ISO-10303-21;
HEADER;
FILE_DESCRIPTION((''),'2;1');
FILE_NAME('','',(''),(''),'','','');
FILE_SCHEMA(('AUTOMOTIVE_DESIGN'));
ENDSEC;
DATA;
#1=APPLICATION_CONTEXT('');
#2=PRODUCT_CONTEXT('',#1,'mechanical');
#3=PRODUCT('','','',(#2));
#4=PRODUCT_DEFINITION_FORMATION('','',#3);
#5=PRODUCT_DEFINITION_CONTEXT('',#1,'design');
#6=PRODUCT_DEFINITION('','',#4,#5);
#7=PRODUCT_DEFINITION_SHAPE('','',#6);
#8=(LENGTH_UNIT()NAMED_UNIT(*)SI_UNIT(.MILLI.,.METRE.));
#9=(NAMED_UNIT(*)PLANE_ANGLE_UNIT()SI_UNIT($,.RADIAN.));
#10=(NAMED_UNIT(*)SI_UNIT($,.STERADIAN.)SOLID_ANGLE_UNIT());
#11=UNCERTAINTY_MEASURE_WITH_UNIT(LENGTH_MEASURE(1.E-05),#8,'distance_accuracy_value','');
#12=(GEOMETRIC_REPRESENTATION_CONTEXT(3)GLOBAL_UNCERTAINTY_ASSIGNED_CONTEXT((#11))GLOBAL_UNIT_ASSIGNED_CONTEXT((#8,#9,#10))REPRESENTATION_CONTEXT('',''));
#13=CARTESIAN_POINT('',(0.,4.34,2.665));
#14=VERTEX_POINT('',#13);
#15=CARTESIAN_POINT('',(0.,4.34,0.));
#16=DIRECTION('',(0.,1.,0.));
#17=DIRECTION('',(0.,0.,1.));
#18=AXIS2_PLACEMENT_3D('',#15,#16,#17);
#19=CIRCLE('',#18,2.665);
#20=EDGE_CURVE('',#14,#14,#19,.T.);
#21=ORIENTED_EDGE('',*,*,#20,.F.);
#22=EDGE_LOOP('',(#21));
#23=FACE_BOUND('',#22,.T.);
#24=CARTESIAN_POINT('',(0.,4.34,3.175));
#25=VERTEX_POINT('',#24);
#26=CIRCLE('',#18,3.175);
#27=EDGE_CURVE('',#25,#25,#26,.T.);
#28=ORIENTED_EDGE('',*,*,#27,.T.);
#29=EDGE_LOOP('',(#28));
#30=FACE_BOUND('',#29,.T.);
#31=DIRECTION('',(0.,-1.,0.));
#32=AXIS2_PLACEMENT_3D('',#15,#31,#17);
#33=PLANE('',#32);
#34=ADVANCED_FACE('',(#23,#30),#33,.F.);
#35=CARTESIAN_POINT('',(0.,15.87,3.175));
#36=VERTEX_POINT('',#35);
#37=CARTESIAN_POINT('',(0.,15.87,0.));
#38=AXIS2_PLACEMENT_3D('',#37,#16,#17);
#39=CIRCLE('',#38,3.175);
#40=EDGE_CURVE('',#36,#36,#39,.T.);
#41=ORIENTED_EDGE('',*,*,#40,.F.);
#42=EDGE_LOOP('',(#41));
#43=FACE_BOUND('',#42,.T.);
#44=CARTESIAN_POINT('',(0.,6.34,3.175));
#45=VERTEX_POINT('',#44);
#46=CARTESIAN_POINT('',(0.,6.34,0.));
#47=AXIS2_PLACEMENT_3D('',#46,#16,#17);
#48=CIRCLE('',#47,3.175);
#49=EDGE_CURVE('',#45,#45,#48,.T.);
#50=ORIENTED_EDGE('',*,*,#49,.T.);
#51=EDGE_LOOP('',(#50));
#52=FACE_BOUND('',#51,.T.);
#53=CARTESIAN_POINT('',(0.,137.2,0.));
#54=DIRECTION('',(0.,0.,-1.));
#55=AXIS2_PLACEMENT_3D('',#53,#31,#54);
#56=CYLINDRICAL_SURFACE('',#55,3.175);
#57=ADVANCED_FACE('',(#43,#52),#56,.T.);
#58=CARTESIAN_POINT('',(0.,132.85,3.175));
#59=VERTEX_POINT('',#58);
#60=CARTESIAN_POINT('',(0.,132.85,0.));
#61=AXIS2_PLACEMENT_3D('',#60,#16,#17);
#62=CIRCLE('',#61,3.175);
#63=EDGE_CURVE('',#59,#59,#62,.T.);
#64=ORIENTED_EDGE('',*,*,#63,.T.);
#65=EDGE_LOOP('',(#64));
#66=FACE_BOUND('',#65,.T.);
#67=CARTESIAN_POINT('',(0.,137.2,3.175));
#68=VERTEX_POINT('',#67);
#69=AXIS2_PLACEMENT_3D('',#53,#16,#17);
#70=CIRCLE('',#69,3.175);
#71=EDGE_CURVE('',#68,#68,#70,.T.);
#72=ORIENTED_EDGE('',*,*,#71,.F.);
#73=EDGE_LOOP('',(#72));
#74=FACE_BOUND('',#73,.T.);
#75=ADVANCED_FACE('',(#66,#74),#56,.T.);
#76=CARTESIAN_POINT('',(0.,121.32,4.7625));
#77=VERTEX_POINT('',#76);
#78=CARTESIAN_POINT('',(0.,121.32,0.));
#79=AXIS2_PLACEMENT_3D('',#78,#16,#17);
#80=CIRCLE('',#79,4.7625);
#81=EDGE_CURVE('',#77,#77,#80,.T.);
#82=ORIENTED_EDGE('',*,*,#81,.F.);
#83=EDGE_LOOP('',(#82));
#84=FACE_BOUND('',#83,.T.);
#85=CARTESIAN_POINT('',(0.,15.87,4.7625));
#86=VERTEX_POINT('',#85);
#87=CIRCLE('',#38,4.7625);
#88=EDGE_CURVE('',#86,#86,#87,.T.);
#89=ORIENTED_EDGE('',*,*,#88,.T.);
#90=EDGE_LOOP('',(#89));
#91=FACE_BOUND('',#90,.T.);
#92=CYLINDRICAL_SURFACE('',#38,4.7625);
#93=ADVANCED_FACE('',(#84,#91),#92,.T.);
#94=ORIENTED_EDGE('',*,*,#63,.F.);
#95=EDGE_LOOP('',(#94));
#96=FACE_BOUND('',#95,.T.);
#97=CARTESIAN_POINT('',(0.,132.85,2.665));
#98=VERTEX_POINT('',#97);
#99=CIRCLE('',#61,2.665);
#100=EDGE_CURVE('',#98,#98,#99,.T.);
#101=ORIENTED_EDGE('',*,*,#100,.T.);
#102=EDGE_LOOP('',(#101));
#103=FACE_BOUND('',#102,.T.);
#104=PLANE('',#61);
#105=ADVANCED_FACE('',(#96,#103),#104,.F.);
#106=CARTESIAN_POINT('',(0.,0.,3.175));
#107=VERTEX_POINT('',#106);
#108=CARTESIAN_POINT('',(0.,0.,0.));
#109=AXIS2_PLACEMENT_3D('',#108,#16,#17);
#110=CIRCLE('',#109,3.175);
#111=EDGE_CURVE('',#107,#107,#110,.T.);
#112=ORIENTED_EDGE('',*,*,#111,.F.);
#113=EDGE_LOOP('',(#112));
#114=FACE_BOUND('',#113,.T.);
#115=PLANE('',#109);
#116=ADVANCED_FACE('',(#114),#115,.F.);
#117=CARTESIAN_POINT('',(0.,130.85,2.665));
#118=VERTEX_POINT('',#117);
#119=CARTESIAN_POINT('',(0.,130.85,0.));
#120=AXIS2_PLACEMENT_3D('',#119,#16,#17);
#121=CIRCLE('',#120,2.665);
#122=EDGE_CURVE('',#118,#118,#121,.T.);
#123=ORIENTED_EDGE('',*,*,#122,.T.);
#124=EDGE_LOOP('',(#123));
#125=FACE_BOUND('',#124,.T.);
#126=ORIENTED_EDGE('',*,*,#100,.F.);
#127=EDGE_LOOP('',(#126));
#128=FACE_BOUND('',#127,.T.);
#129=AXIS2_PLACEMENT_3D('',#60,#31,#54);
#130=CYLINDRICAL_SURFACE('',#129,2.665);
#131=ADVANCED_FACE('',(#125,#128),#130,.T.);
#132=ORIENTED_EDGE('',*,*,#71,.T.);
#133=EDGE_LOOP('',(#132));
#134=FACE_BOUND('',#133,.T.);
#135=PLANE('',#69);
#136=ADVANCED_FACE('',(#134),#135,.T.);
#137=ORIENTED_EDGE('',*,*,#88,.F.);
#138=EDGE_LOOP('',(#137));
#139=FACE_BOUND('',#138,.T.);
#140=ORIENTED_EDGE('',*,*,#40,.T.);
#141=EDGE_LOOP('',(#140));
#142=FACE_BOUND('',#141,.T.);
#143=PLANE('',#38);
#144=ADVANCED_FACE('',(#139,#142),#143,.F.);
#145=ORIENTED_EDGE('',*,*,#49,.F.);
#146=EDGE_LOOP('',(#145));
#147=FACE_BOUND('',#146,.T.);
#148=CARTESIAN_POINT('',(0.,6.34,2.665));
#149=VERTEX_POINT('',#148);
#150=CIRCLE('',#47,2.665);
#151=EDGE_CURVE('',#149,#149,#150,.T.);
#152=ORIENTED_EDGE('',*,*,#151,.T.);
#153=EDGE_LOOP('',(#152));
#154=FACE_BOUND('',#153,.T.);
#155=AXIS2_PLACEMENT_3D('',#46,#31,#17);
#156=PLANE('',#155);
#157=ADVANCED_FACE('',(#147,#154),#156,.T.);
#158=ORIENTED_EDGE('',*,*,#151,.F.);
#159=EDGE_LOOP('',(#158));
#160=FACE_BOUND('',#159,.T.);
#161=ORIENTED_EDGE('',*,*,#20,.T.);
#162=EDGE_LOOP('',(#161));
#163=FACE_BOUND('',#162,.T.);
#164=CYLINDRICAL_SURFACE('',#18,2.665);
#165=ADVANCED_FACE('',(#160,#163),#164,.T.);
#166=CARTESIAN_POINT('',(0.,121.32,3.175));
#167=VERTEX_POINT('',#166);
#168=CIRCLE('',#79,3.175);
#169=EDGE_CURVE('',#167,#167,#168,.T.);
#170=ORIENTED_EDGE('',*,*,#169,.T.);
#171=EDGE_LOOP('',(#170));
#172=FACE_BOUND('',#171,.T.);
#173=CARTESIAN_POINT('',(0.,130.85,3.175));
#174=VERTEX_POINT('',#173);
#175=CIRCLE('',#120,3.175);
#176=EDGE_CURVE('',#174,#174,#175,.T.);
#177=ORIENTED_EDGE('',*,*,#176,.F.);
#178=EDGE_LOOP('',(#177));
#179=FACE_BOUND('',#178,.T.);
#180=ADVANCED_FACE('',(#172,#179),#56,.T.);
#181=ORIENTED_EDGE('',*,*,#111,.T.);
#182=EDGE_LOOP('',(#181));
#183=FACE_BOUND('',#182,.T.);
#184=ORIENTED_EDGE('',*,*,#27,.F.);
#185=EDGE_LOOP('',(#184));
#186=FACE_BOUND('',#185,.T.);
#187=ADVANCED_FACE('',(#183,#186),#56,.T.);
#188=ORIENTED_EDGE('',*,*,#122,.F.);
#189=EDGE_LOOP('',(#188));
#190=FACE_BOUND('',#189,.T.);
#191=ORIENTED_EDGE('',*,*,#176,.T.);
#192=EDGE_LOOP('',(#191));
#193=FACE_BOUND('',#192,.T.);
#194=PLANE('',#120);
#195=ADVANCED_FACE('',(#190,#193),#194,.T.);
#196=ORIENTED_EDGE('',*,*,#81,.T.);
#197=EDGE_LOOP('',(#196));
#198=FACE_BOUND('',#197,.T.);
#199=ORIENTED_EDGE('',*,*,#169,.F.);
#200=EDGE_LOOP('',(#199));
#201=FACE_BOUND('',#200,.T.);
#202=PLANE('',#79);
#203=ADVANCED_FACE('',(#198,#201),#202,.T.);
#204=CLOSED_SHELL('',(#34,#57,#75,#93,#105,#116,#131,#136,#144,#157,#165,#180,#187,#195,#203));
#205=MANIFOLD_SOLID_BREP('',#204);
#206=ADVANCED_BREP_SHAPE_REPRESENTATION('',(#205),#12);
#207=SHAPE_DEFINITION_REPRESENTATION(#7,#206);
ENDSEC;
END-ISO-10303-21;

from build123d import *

# Parameters (mm, degrees)
SKETCH1_R           = 3.175
BOSS_EXTRUDE1_DEPTH = 137.2
BOSS_EXTRUDE2_START = -15.88
SKETCH2_R           = 4.7625
BOSS_EXTRUDE2_DEPTH = 105.45
CUT_EXTRUDE1_START  = 9.53
SKETCH4_R           = 3.175
SKETCH4_R_2         = 2.665
CUT_EXTRUDE1_DEPTH  = 2


with BuildPart() as part:
    # Sketch1 → Boss-Extrude1 (new body)
    with BuildSketch(Plane(origin=(0, 0, 0), x_dir=(1, 0, 0), z_dir=(0, 1, 0))):
        with Locations(Location((0, 0, 0), (0, 0, 270))):
            Circle(SKETCH1_R)
    extrude(amount=BOSS_EXTRUDE1_DEPTH)

    # Sketch2 → Boss-Extrude2 (add)
    with BuildSketch(Plane(origin=(0, 137.2, 0), x_dir=(1, 0, 0), z_dir=(0, 1, 0)).offset(BOSS_EXTRUDE2_START)):
        with Locations(Location((0, 0, 0), (0, 0, 270))):
            Circle(SKETCH2_R)
    extrude(amount=-BOSS_EXTRUDE2_DEPTH)

    # Sketch4 → Cut-Extrude1 (cut)
    with BuildSketch(Plane(origin=(0, 121.32, 0), x_dir=(1, 0, 0), z_dir=(0, 1, 0)).offset(CUT_EXTRUDE1_START)):
        with Locations(Location((0, 0, 0), (0, 0, 270))):
            Circle(SKETCH4_R)
        with Locations(Location((0, 0, 0), (0, 0, 270))):
            Circle(SKETCH4_R_2, mode=Mode.SUBTRACT)
    cut_extrude1 = extrude(amount=CUT_EXTRUDE1_DEPTH, mode=Mode.SUBTRACT)

    # Mirror1: Cut-Extrude1 across plane
    add(cut_extrude1.mirror(Plane.ZX.offset(68.595)), mode=Mode.SUBTRACT)


solid = part.part
